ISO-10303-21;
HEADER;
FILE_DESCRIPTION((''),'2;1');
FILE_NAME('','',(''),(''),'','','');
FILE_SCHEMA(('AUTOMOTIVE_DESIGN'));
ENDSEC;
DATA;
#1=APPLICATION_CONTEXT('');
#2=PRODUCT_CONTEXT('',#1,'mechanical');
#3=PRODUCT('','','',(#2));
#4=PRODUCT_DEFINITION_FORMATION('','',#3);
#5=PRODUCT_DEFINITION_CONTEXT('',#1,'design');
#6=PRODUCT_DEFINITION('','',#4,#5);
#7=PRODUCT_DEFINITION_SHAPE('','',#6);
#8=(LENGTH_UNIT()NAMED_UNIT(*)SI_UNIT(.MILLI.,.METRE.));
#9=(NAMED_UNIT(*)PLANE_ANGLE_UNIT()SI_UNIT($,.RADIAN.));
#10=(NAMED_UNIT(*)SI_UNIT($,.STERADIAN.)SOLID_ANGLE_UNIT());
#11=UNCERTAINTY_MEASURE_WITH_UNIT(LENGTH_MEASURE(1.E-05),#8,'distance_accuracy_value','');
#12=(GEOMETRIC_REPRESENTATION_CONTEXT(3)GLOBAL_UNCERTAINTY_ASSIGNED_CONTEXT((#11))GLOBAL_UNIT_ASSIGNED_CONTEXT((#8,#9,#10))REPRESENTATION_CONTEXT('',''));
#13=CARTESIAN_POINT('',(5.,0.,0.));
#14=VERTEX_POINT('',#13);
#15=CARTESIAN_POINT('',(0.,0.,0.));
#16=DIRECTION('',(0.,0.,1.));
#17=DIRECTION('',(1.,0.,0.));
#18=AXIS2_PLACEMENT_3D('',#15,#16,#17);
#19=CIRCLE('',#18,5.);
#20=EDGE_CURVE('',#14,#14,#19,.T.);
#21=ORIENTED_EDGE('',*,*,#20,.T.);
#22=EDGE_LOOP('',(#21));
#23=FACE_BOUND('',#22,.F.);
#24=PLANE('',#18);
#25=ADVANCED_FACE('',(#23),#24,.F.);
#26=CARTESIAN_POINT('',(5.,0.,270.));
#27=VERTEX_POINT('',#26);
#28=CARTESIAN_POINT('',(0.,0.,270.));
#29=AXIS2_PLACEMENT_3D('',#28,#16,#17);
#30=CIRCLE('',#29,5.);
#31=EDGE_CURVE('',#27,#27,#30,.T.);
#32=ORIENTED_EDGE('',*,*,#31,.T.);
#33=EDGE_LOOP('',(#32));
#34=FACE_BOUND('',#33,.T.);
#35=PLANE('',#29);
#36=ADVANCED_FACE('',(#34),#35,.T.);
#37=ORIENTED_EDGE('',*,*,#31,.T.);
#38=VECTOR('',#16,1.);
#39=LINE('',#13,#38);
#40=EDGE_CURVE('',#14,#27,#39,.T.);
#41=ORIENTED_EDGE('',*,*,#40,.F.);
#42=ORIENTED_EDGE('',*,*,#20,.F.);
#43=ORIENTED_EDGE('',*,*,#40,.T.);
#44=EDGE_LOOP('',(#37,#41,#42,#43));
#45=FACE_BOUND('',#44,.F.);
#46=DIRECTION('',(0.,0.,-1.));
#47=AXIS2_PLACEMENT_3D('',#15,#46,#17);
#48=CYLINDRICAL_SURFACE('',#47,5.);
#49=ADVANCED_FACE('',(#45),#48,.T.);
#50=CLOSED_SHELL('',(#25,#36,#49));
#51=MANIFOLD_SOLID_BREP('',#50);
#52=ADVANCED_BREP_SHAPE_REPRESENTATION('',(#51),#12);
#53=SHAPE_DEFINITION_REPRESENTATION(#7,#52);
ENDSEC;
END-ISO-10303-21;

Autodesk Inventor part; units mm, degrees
ref_plane "YZ Plane" through (0, 0, 0) normal (1, 0, 0) x (0, 1, 0)
ref_plane "XZ Plane" through (0, 0, 0) normal (0, 1, 0) x (-1, 0, 0)
ref_plane "XY Plane" through (0, 0, 0) normal (0, 0, 1) x (1, 0, 0)
sketch "Sketch1" plane through (0, 0, 0) normal (0, 0, 1) x (1, 0, 0)
  circle A0 centre (0, 0) radius 5
  dimension "d0" = 10
extrude "Extrusion1" add sketch "Sketch1" along normal blind 270
properties part number "Short Metal Rod"
